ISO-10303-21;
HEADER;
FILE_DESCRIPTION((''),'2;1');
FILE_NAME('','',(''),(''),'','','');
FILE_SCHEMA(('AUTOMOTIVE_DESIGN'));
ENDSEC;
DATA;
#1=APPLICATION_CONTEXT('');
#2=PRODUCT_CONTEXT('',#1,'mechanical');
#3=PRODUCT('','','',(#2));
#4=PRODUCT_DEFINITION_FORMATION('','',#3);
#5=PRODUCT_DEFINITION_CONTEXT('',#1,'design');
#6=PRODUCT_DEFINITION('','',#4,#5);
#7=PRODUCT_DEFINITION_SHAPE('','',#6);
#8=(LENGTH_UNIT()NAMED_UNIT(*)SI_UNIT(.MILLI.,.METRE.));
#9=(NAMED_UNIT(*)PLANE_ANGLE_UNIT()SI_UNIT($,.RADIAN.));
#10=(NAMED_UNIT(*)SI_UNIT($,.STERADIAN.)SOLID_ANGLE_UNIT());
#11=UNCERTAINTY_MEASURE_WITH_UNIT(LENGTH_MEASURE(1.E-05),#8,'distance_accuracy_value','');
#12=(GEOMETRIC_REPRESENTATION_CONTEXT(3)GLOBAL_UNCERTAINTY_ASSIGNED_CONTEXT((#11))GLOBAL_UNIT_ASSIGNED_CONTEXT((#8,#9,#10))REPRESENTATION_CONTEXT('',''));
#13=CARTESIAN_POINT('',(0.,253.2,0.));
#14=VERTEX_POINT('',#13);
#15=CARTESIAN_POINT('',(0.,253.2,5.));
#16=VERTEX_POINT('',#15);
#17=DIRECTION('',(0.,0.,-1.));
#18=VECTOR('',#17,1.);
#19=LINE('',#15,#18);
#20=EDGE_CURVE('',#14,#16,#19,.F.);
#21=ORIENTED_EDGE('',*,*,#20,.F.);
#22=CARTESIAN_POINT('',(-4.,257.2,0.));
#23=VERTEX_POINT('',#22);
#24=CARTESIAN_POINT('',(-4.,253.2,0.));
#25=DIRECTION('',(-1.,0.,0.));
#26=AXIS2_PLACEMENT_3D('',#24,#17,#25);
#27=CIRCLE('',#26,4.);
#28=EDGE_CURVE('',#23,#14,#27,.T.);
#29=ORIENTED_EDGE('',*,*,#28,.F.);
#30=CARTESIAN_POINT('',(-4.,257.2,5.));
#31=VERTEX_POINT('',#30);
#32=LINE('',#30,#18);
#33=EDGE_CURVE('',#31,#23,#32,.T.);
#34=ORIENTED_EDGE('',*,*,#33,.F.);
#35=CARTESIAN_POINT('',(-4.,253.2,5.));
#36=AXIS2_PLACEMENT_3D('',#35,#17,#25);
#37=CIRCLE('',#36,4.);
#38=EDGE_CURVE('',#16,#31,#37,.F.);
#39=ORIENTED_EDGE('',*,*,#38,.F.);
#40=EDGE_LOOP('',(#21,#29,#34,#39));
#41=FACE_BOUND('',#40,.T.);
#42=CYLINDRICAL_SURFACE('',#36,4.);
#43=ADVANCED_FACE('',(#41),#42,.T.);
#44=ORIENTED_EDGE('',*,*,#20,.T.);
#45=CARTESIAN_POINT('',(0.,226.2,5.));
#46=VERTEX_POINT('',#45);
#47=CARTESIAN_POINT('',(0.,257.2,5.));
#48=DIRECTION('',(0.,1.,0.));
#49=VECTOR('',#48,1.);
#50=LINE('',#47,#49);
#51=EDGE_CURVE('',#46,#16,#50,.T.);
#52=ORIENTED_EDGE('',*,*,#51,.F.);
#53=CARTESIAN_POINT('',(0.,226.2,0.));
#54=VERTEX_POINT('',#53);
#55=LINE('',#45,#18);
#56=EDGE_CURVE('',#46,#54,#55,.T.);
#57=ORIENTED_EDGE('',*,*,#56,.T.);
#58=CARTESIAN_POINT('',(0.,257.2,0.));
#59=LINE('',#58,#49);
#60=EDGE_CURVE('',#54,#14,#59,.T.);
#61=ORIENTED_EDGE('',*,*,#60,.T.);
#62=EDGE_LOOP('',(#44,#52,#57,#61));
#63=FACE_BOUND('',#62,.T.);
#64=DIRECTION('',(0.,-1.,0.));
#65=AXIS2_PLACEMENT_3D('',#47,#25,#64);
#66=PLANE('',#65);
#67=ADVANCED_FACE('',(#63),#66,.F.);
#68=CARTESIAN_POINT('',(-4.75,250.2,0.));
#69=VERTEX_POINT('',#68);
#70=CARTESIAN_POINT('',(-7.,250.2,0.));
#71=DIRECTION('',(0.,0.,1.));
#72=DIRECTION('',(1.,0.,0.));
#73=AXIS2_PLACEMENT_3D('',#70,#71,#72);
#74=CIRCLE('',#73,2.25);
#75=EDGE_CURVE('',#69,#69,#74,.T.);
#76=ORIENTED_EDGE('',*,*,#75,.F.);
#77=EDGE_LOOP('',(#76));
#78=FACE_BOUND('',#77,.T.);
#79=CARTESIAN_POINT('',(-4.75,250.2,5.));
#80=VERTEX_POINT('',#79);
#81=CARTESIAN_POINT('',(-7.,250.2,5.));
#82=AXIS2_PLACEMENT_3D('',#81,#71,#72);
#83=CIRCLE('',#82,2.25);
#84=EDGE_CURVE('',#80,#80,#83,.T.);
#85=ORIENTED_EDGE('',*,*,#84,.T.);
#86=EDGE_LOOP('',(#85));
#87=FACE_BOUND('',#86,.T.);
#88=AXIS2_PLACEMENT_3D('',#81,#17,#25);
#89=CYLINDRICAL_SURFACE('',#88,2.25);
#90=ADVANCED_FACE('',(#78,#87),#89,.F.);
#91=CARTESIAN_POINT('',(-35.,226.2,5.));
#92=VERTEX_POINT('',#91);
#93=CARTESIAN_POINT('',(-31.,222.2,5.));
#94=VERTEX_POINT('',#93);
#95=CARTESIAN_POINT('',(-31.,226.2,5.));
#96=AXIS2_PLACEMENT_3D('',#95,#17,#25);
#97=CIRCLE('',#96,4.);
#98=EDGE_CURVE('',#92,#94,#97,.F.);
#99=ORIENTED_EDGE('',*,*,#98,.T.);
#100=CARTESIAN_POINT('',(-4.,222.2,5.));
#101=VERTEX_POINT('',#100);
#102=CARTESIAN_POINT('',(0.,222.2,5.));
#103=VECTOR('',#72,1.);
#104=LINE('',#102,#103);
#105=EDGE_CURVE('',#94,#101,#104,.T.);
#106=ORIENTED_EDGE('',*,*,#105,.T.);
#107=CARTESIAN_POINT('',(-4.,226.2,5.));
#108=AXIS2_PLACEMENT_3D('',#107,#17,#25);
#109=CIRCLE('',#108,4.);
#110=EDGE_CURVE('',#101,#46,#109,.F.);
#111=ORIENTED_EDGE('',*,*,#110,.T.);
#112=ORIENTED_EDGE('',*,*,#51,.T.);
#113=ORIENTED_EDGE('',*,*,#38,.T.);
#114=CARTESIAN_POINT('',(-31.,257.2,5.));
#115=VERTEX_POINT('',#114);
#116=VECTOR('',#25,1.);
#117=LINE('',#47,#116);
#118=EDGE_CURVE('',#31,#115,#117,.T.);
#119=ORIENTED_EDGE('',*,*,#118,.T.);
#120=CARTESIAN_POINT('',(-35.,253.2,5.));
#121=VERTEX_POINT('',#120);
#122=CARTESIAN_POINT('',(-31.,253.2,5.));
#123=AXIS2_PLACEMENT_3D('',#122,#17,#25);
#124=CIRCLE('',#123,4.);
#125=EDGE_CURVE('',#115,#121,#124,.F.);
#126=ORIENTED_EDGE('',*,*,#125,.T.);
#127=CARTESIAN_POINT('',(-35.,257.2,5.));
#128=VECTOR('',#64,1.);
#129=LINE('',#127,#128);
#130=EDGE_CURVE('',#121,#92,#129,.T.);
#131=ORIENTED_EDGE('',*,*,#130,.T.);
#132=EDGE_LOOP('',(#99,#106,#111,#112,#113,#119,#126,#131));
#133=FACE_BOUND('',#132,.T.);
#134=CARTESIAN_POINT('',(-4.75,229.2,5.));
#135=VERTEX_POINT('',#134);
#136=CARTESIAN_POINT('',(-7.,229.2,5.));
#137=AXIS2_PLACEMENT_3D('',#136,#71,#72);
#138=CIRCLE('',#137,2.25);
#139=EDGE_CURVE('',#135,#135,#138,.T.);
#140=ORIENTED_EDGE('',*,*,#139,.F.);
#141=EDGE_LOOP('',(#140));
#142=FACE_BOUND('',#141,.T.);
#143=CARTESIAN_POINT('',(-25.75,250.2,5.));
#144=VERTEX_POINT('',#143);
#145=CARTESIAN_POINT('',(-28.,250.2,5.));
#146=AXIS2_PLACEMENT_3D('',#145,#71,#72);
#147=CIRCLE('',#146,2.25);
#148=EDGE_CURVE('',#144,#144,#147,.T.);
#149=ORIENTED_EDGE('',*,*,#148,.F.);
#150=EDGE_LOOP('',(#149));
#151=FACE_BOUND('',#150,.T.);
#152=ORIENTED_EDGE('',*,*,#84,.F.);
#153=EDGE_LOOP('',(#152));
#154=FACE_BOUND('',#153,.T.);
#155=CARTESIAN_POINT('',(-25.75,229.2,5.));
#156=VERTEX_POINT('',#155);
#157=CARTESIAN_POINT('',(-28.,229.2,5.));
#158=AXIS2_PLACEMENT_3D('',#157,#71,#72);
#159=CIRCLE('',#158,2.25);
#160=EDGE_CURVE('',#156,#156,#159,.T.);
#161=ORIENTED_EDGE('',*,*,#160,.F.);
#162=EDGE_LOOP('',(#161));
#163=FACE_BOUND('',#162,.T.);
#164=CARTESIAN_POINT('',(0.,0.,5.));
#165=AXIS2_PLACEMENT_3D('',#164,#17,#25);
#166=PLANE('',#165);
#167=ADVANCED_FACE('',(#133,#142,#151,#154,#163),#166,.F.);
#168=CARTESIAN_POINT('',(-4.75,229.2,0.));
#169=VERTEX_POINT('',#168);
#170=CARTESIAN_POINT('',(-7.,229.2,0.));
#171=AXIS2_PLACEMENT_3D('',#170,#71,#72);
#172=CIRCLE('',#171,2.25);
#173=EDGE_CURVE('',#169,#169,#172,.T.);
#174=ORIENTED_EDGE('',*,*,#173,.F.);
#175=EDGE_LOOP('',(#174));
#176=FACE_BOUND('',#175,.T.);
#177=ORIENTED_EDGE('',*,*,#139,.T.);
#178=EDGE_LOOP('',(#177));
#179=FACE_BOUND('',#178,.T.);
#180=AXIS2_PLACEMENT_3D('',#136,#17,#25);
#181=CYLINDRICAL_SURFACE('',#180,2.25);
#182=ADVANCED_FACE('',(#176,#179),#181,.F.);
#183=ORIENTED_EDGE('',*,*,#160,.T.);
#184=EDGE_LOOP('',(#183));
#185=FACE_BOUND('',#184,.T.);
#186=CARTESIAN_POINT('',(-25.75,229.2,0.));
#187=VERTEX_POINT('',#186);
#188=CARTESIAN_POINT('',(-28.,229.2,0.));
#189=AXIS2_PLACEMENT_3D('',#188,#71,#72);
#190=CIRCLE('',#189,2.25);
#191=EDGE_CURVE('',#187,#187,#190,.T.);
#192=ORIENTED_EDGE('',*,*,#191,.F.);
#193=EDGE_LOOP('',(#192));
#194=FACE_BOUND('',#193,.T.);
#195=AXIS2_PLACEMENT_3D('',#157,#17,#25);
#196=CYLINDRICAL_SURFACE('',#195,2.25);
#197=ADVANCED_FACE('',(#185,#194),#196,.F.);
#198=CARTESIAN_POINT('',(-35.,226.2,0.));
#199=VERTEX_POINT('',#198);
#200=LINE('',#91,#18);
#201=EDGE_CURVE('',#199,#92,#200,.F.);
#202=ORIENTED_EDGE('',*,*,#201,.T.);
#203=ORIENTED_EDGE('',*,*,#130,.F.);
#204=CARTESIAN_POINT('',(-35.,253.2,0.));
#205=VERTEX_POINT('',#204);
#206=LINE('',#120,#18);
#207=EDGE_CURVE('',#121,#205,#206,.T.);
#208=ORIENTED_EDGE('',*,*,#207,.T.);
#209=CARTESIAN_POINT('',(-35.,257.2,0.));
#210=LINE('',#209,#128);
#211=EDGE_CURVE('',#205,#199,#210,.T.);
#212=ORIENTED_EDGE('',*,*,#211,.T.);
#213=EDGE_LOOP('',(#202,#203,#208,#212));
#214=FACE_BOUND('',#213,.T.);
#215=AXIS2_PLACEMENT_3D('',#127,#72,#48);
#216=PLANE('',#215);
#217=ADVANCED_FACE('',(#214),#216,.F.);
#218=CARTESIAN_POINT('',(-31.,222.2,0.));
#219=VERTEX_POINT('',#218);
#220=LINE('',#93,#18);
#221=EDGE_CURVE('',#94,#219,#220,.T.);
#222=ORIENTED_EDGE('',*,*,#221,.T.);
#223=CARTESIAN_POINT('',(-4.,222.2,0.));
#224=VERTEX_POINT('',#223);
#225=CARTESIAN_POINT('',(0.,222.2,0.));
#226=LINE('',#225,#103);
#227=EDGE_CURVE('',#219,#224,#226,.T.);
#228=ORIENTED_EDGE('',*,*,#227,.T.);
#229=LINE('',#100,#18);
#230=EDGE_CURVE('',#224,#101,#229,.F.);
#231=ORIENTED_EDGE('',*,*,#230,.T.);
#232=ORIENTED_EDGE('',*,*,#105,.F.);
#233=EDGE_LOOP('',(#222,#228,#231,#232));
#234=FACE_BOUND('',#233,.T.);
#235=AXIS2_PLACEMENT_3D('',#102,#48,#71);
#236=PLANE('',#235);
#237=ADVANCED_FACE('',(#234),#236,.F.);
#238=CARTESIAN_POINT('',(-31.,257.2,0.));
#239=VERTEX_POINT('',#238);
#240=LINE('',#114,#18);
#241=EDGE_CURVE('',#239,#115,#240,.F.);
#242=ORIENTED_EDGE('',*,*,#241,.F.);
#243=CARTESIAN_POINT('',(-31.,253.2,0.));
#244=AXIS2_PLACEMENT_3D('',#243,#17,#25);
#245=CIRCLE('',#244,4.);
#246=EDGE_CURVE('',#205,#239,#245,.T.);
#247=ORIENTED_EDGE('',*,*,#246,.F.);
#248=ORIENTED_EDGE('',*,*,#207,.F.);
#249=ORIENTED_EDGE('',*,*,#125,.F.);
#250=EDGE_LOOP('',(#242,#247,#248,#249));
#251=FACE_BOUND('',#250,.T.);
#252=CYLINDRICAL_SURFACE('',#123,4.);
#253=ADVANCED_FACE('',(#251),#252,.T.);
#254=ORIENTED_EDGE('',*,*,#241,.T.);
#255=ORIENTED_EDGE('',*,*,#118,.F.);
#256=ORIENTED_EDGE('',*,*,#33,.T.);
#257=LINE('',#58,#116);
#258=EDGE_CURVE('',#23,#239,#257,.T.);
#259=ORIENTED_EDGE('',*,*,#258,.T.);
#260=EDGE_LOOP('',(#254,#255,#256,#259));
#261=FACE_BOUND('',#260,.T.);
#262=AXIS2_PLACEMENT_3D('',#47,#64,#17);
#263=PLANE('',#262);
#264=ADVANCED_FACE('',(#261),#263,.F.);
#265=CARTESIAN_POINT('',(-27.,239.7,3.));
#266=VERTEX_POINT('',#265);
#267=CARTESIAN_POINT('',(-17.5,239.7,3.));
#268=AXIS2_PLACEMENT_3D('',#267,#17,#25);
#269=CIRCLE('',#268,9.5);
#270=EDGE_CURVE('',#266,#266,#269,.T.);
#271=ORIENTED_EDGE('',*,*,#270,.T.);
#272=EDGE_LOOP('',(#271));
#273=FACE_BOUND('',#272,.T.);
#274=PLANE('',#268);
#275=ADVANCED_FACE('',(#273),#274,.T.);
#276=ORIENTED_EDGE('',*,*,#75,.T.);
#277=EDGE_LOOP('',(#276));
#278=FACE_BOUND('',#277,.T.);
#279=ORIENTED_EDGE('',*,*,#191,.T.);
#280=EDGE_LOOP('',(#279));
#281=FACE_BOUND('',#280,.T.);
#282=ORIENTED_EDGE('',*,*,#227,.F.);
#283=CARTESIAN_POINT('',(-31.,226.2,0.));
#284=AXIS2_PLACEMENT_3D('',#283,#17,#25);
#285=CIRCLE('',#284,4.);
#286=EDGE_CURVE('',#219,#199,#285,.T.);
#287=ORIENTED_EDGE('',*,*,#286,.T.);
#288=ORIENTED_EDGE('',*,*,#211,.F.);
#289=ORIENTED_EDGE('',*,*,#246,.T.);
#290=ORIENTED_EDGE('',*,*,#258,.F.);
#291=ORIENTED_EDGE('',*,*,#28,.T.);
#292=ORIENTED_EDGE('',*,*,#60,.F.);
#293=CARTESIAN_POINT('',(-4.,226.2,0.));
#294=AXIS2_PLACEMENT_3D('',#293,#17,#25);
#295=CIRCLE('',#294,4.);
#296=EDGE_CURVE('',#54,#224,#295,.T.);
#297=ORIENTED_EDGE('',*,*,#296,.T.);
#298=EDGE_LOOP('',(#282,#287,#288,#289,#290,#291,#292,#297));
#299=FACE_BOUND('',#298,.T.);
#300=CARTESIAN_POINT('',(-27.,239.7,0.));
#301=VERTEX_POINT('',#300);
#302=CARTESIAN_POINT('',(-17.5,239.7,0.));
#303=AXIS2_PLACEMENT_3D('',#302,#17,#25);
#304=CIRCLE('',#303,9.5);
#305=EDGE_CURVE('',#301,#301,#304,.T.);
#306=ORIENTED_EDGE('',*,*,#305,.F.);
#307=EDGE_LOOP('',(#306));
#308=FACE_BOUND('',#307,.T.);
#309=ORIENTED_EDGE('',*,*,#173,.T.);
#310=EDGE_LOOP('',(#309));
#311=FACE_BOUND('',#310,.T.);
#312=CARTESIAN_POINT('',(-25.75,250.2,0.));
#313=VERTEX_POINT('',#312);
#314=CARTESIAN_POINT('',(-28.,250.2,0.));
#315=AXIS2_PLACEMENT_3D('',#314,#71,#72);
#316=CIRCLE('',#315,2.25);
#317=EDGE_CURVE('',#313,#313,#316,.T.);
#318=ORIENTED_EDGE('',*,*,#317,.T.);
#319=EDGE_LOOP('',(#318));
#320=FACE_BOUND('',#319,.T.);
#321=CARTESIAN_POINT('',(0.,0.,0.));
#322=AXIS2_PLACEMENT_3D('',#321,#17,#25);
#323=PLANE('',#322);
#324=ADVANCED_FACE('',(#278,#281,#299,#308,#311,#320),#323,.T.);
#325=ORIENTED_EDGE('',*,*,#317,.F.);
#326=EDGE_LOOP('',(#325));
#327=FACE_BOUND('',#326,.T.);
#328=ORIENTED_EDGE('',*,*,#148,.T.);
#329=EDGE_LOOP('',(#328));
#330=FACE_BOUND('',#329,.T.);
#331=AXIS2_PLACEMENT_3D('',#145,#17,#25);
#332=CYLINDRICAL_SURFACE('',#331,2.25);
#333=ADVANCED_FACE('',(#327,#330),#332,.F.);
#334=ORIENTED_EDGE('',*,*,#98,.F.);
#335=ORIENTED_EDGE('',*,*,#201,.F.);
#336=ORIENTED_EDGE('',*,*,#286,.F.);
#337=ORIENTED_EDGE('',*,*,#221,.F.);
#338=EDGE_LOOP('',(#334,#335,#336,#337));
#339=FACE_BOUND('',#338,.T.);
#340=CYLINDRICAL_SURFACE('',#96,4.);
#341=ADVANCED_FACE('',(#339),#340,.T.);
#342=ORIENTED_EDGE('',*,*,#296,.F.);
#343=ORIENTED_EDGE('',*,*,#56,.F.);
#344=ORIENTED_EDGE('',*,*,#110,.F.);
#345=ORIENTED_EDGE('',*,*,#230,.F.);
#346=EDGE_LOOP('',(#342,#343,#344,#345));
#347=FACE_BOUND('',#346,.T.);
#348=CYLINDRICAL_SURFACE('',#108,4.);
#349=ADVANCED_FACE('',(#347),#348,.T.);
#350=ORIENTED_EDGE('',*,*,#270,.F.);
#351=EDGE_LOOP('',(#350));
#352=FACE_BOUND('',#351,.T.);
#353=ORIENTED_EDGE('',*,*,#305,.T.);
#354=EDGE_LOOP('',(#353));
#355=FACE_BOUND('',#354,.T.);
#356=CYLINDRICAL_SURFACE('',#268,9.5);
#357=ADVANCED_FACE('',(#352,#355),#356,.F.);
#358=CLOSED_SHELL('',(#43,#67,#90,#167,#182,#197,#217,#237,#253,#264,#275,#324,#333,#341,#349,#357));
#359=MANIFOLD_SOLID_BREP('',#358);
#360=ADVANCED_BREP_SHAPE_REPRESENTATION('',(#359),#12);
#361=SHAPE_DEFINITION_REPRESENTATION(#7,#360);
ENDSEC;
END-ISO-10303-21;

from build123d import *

# Parameters (mm, degrees)
SKETCH1_W           = 35
SKETCH1_H           = 35
SKETCH1_R           = 2.25
BOSS_EXTRUDE1_DEPTH = 5
FILLET1_R           = 4
SKETCH2_R           = 9.5
CUT_EXTRUDE1_DEPTH  = 3


with BuildPart() as part:
    # Sketch1 → Boss-Extrude1 (new body)
    with BuildSketch(Plane.XY):
        with Locations((-17.5, 239.7)):
            Rectangle(SKETCH1_W, SKETCH1_H)
        with Locations((-7, 250.2)):
            Circle(SKETCH1_R, mode=Mode.SUBTRACT)
        with Locations((-7, 229.2)):
            Circle(SKETCH1_R, mode=Mode.SUBTRACT)
        with Locations((-28, 229.2)):
            Circle(SKETCH1_R, mode=Mode.SUBTRACT)
        with Locations((-28, 250.2)):
            Circle(SKETCH1_R, mode=Mode.SUBTRACT)
    extrude(amount=BOSS_EXTRUDE1_DEPTH)

    # Fillet1
    fillet1_edges = [part.edges().sort_by_distance(p)[0] for p in [
        (0, 222.2, 2.5),
        (-35, 222.2, 2.5),
        (-35, 257.2, 2.5),
        (0, 257.2, 2.5),
    ]]
    fillet(fillet1_edges, radius=FILLET1_R)

    # Sketch2 → Cut-Extrude1 (cut)
    with BuildSketch(Plane(origin=(0, 0, 0), x_dir=(-1, 0, 0), z_dir=(0, 0, -1))):
        with Locations((17.5, 239.7)):
            Circle(SKETCH2_R)
    extrude(amount=-CUT_EXTRUDE1_DEPTH, mode=Mode.SUBTRACT)


solid = part.part
